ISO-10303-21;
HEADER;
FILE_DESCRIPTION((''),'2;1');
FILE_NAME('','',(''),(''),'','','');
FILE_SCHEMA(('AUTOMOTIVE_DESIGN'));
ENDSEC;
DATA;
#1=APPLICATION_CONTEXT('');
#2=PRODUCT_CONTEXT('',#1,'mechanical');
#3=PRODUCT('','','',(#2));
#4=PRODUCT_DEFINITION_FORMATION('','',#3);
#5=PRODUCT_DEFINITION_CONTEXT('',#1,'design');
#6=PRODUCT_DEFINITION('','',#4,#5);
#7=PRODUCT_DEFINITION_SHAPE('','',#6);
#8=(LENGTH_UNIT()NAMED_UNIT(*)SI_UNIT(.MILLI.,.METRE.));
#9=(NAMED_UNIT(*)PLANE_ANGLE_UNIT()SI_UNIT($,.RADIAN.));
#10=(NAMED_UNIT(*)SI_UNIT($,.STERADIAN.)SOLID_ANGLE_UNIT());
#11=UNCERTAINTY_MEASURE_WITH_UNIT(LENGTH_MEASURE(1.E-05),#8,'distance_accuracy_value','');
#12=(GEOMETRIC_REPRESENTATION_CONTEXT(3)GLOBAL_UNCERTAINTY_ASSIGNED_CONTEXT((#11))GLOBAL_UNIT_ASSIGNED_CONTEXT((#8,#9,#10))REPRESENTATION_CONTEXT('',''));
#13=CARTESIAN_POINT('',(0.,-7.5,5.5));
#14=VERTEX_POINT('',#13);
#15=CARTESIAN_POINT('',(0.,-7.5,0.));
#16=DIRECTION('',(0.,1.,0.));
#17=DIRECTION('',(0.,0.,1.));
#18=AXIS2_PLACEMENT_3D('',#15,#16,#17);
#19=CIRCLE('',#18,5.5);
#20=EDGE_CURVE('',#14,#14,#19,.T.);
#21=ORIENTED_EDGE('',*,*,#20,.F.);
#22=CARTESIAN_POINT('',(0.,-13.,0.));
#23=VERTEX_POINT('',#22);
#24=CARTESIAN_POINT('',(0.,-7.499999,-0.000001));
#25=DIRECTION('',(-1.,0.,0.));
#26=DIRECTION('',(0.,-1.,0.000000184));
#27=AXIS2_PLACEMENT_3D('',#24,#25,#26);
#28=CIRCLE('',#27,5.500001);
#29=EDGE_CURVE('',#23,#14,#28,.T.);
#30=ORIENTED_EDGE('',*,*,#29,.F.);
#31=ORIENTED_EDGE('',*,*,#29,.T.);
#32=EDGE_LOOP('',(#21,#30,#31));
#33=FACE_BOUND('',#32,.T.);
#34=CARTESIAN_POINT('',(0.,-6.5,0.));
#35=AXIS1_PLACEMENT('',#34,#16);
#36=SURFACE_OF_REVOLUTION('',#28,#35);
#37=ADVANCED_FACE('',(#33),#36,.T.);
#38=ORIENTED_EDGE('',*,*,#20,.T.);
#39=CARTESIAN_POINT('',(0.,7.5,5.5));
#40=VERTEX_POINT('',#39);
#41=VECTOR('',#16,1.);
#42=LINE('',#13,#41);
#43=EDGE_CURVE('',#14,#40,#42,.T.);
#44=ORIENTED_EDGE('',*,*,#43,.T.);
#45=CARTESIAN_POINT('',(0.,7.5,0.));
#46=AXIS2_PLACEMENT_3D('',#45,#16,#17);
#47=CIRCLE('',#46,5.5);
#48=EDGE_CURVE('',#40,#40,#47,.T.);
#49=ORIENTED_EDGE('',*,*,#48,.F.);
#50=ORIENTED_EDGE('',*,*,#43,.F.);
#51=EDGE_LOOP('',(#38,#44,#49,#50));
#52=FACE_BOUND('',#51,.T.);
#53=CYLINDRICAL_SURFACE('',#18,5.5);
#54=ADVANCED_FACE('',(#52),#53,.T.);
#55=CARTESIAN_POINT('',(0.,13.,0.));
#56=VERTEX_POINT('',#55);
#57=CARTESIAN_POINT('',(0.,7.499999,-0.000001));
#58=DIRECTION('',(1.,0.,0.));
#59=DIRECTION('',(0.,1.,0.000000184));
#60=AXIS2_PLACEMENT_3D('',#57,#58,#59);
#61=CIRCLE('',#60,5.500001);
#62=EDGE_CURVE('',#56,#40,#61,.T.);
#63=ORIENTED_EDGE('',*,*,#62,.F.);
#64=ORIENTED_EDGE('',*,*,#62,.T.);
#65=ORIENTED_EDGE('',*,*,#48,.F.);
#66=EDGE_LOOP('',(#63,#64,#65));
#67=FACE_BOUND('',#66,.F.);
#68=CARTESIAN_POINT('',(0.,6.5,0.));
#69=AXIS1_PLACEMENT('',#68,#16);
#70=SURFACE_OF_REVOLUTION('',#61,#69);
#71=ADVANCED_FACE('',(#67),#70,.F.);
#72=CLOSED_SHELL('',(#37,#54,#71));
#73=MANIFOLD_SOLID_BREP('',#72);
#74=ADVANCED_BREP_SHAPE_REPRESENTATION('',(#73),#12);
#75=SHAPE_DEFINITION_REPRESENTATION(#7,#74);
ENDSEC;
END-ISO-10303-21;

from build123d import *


with BuildPart() as f1:
    # F0 (on Right) → F1 (revolve)
    with BuildSketch(Plane.YZ):
        with BuildLine():
            Line((0, 5.5), (0, 0))
            Line((0, 0), (13, 0))
            ThreePointArc((13, 0), (11.389087, 3.889087), (7.5, 5.5))
            Line((7.5, 5.5), (0, 5.5))
        make_face()
    revolve(axis=Axis((0, 6.5, 0), (0, 1, 0)))

    # F2: F1 across plane


with BuildPart() as f1_1:
    add(f1.part)
    add(f1.part.mirror(Plane.XZ))


solid = f1_1.part
